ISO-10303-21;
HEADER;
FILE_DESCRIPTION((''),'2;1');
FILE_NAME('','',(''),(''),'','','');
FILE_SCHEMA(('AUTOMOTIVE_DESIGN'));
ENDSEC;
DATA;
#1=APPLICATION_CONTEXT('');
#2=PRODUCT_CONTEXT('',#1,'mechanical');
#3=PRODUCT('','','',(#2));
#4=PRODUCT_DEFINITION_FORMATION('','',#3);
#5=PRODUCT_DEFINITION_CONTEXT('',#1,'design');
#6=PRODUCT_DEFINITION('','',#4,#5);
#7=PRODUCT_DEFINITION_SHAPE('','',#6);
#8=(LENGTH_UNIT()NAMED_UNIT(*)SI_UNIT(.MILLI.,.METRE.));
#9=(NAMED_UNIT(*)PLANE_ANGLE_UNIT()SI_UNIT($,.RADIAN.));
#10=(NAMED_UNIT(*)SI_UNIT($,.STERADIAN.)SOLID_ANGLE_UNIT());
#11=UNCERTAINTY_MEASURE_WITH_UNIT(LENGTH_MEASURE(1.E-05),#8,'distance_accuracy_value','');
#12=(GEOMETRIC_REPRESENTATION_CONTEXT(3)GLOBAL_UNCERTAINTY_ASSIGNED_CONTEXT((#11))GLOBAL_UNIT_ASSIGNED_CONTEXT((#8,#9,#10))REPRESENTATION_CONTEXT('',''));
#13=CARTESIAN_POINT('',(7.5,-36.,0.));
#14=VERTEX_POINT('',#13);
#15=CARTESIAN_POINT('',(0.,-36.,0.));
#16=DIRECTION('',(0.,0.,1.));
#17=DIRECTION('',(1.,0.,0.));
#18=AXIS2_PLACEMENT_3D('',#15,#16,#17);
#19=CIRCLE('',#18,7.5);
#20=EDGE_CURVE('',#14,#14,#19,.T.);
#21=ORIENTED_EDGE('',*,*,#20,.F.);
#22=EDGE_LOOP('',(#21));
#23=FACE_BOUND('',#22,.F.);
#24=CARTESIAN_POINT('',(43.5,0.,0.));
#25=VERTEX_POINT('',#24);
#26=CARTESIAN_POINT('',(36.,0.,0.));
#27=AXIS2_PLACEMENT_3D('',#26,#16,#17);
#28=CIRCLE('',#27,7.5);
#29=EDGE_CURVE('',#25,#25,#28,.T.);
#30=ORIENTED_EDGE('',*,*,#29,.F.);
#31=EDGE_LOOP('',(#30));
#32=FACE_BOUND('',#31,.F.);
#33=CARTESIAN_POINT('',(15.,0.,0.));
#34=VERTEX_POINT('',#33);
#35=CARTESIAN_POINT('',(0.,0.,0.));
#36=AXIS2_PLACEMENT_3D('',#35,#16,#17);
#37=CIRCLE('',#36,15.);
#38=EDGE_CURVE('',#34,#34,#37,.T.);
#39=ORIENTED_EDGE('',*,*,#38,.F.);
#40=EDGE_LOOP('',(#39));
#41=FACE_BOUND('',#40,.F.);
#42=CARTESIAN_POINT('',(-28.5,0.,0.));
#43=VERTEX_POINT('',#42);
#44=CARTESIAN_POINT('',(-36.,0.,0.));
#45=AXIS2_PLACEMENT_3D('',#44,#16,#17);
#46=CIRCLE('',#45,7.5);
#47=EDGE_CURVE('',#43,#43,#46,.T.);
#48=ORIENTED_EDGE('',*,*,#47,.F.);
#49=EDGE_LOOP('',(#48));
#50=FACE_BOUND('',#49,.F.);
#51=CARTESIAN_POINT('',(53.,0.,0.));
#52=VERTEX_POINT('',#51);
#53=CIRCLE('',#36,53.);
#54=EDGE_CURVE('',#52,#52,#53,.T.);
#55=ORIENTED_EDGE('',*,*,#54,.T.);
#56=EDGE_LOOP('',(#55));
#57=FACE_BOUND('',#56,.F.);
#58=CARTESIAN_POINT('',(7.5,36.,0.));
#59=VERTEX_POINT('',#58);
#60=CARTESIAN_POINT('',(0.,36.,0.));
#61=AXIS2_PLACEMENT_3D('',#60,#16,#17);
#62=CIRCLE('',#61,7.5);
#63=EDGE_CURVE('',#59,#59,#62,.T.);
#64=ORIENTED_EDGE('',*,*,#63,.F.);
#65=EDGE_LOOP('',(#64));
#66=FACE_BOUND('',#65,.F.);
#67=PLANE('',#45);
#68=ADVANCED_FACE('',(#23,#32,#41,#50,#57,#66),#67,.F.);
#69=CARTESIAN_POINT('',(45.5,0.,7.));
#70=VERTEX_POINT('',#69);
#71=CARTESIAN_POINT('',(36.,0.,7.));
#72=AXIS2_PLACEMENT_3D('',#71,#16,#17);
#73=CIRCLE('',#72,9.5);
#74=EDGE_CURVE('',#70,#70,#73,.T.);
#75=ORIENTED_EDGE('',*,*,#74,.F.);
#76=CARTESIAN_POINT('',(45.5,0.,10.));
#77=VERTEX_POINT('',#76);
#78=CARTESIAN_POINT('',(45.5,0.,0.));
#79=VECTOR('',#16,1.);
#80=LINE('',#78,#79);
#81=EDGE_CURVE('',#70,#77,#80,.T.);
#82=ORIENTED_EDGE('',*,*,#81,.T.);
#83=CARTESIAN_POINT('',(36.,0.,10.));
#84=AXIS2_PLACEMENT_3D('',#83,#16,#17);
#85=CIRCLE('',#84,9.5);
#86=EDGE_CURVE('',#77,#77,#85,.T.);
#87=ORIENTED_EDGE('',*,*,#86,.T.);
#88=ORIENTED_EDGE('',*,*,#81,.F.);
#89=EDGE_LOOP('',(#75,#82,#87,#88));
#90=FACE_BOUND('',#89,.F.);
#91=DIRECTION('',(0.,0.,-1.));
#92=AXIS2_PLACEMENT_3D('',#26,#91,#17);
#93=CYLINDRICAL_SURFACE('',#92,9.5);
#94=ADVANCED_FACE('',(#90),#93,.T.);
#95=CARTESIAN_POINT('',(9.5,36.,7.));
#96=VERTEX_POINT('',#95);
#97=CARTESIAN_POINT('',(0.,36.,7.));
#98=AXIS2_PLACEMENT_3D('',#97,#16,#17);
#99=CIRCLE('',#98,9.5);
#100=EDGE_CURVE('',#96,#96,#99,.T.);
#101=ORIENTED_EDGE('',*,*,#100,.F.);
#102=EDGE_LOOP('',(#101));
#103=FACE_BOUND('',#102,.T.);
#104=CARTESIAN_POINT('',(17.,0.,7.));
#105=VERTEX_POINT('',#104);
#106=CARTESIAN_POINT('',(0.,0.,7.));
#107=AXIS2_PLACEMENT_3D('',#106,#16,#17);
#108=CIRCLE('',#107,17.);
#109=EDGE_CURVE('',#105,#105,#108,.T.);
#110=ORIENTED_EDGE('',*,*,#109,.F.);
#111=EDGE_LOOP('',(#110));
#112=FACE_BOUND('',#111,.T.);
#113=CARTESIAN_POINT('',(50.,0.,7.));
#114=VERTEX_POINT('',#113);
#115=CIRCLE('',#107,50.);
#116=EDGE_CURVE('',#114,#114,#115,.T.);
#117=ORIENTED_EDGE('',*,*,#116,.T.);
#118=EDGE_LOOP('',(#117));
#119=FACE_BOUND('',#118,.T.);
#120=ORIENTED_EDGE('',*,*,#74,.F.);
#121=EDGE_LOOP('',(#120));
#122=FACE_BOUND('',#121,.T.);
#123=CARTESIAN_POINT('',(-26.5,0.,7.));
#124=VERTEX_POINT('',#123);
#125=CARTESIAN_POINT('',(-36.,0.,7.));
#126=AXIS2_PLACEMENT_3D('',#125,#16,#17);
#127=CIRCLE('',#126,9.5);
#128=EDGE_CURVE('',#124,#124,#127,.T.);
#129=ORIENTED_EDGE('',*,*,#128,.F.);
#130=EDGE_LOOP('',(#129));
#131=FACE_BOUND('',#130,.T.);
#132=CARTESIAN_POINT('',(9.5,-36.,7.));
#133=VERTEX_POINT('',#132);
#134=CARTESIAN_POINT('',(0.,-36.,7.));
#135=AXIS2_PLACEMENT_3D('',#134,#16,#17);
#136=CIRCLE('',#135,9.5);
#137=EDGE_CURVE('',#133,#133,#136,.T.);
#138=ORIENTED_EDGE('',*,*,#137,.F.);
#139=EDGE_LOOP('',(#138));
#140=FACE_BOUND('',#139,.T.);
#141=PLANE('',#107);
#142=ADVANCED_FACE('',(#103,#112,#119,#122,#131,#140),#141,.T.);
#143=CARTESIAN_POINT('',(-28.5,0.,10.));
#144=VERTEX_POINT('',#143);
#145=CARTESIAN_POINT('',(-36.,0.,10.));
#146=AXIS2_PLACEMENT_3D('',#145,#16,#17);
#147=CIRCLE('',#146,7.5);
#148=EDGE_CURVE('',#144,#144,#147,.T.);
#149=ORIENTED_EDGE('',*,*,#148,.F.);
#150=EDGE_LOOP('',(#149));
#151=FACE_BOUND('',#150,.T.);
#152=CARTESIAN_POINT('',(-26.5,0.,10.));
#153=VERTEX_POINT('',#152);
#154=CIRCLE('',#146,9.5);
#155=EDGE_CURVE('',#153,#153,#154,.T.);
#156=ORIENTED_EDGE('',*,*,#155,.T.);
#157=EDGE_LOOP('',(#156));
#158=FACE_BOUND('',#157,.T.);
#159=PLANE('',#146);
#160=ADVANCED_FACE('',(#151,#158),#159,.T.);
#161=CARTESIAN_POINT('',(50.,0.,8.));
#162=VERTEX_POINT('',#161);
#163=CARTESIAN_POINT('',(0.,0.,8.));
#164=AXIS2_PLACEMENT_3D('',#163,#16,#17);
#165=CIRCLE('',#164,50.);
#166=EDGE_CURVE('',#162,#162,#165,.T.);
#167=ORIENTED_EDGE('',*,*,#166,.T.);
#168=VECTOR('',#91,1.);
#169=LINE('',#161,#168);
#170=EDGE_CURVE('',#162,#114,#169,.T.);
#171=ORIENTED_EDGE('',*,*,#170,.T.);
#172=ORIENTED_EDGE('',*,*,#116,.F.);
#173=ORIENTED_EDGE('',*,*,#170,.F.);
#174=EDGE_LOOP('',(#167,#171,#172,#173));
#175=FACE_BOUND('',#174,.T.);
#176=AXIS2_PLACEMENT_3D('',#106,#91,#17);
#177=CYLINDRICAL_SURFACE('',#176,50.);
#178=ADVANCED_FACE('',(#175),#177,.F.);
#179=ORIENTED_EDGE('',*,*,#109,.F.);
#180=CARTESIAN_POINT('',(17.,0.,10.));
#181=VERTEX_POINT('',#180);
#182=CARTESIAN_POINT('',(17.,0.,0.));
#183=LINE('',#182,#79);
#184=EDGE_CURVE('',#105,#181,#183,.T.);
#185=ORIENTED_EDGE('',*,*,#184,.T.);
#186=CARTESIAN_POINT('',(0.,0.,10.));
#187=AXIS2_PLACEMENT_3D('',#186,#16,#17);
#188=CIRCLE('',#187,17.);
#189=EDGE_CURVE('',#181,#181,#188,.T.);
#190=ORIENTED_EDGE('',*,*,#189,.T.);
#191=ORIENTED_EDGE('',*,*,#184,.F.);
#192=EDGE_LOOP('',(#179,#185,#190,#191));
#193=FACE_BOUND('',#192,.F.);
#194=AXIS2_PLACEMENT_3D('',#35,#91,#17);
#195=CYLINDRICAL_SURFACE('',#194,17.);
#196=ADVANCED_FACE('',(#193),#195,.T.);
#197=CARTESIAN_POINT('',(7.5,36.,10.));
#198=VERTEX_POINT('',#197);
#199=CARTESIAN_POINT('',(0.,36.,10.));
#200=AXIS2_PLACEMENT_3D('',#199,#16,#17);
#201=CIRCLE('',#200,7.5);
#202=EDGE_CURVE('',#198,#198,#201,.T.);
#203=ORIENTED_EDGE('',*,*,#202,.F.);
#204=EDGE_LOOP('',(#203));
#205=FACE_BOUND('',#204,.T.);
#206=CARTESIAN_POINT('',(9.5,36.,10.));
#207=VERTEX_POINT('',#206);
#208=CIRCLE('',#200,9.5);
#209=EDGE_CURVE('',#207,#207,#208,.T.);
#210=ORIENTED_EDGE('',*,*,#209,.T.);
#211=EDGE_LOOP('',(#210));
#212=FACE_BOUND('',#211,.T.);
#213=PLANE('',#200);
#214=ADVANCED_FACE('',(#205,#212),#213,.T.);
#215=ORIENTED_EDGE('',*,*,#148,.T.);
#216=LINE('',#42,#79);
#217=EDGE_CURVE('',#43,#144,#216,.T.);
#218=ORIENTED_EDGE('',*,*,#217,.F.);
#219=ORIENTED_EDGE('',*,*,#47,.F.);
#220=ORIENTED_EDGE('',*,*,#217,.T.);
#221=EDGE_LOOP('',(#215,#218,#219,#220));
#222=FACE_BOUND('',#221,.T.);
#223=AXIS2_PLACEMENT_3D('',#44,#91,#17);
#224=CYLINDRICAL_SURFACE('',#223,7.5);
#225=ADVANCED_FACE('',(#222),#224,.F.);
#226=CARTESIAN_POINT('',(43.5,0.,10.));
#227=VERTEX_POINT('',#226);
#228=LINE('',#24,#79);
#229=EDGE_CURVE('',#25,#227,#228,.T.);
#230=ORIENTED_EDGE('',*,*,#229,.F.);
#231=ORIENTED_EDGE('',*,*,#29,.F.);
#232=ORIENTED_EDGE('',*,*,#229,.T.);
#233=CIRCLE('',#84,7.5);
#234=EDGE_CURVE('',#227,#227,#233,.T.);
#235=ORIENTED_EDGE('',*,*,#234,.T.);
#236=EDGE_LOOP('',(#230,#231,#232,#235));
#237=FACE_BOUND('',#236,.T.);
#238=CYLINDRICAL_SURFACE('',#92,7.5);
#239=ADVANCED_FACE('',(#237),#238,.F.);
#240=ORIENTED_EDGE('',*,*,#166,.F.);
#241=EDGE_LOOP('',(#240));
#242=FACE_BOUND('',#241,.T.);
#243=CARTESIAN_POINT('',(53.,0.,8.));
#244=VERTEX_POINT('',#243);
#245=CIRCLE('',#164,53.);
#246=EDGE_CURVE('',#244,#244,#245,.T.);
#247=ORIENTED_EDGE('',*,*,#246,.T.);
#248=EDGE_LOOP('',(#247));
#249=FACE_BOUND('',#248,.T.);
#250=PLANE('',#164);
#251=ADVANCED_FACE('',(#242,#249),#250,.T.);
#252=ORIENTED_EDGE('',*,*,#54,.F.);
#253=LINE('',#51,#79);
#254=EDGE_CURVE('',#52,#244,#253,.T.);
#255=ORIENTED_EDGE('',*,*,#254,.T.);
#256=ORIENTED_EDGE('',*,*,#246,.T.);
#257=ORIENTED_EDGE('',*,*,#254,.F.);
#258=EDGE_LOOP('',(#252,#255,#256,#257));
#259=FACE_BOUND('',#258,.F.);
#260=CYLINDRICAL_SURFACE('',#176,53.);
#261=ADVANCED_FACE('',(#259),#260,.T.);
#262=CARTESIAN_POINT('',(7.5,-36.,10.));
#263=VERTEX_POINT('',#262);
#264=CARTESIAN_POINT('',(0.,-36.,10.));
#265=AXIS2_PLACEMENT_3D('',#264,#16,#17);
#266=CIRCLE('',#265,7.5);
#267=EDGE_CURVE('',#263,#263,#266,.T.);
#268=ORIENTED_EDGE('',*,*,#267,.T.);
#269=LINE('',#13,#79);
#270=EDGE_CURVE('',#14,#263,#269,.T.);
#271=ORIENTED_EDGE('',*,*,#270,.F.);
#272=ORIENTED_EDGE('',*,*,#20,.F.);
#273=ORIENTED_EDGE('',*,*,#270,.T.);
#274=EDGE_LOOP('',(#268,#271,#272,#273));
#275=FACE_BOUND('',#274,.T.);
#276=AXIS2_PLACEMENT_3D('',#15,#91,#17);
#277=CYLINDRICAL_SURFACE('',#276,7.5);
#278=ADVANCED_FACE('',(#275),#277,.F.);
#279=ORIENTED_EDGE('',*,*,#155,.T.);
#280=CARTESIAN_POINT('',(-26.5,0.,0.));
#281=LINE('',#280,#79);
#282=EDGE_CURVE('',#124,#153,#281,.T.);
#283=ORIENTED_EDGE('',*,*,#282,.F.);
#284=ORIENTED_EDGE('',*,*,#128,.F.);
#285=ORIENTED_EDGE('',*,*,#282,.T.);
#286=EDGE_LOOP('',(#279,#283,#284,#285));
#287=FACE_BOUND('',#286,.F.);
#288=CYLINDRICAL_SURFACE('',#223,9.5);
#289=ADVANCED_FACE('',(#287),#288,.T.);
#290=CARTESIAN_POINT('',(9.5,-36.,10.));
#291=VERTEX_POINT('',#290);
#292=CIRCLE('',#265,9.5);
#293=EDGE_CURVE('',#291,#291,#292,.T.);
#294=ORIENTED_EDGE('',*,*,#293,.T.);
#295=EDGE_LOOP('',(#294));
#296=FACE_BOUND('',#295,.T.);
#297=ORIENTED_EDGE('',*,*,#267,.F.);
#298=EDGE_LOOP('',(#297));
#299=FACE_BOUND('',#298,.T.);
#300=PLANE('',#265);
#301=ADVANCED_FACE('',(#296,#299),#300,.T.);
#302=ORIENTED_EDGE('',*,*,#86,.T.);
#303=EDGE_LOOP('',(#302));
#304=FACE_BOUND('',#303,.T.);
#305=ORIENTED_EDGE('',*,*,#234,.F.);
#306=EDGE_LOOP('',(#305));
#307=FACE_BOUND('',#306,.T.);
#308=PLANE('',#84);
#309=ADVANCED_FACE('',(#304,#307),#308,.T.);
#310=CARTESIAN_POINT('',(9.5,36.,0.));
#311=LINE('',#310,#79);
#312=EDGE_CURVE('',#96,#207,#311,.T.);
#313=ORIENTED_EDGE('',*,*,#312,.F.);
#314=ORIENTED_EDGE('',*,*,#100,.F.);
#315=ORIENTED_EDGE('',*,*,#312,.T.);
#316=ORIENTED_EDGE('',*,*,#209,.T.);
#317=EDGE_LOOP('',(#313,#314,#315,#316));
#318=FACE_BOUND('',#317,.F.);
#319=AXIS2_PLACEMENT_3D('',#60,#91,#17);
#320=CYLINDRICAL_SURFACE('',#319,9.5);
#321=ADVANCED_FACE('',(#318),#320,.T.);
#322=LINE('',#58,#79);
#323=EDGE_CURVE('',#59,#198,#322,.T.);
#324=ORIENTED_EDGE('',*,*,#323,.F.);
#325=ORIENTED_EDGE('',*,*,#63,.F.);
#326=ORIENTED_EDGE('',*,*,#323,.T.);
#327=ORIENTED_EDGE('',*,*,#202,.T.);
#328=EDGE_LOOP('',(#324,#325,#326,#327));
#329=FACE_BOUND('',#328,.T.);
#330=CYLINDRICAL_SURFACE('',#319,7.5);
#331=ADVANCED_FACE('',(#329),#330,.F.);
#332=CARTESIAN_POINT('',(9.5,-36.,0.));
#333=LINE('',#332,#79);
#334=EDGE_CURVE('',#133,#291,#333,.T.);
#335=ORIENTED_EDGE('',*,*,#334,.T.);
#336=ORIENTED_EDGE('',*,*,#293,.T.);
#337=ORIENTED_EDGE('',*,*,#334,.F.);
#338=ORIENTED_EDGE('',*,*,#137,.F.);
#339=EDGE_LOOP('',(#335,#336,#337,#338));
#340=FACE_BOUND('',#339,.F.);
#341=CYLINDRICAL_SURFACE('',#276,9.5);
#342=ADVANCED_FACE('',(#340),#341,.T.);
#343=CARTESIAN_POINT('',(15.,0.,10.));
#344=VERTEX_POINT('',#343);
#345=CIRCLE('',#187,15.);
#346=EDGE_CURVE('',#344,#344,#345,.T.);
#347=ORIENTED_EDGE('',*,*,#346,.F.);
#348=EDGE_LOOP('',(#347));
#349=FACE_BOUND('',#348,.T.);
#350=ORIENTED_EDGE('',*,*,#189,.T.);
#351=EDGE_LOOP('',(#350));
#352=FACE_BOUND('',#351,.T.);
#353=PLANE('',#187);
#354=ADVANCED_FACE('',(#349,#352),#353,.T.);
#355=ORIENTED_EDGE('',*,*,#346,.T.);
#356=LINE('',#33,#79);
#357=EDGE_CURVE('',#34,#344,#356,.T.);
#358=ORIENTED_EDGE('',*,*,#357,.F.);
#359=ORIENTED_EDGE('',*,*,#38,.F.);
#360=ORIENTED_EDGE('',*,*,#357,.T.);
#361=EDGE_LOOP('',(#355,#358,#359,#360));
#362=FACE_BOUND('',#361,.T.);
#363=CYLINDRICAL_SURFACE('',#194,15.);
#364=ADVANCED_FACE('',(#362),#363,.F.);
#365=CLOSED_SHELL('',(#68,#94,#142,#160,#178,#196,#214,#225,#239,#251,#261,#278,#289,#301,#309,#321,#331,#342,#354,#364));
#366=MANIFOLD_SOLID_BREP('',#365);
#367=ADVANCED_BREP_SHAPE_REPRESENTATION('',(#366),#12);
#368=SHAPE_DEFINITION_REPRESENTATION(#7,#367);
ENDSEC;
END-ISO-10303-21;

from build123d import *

# Parameters (mm, degrees)
F0_R        = 53
F0_R_2      = 50
F1_DEPTH    = 7
F1_FACE_R   = 53
F1_FACE_R_2 = 50
F2_DEPTH    = 1
F0_R_3      = 9.5
F0_R_4      = 17
F3_DEPTH    = 7
F0_R_5      = 7.5
F0_R_6      = 15
F5_DEPTH    = 10


with BuildPart() as f1:
    # F0 (on Top) → F1 (new body)
    with BuildSketch(Plane.XY):
        Circle(F0_R)
        Circle(F0_R_2, mode=Mode.SUBTRACT)
    extrude(amount=F1_DEPTH)

    # F1_face (on face) + F0 (on Top) → F2 (join)
    with BuildSketch(Plane.XY.offset(7)):
        Circle(F1_FACE_R)
        Circle(F1_FACE_R_2, mode=Mode.SUBTRACT)
    with BuildSketch(Plane.XY):
        Circle(F0_R)
        Circle(F0_R_2, mode=Mode.SUBTRACT)
    extrude(amount=F2_DEPTH)

    # F0 (on Top) → F3 (join)
    with BuildSketch(Plane.XY):
        Circle(F0_R_2)
        with Locations((0, -36)):
            Circle(F0_R_3, mode=Mode.SUBTRACT)
        with Locations((-36, 0)):
            Circle(F0_R_3, mode=Mode.SUBTRACT)
        Circle(F0_R_4, mode=Mode.SUBTRACT)
        with Locations((36, 0)):
            Circle(F0_R_3, mode=Mode.SUBTRACT)
        with Locations((0, 36)):
            Circle(F0_R_3, mode=Mode.SUBTRACT)
    extrude(amount=F3_DEPTH)

    # F0 (on Top) → F5 (join)
    with BuildSketch(Plane.XY):
        with Locations((-36, 0)):
            Circle(F0_R_3)
        with Locations((-36, 0)):
            Circle(F0_R_5, mode=Mode.SUBTRACT)
        with Locations((0, -36)):
            Circle(F0_R_3)
        with Locations((0, -36)):
            Circle(F0_R_5, mode=Mode.SUBTRACT)
        with Locations((36, 0)):
            Circle(F0_R_3)
        with Locations((36, 0)):
            Circle(F0_R_5, mode=Mode.SUBTRACT)
        with Locations((0, 36)):
            Circle(F0_R_3)
        with Locations((0, 36)):
            Circle(F0_R_5, mode=Mode.SUBTRACT)
        Circle(F0_R_4)
        Circle(F0_R_6, mode=Mode.SUBTRACT)
    extrude(amount=F5_DEPTH)


solid = f1.part
